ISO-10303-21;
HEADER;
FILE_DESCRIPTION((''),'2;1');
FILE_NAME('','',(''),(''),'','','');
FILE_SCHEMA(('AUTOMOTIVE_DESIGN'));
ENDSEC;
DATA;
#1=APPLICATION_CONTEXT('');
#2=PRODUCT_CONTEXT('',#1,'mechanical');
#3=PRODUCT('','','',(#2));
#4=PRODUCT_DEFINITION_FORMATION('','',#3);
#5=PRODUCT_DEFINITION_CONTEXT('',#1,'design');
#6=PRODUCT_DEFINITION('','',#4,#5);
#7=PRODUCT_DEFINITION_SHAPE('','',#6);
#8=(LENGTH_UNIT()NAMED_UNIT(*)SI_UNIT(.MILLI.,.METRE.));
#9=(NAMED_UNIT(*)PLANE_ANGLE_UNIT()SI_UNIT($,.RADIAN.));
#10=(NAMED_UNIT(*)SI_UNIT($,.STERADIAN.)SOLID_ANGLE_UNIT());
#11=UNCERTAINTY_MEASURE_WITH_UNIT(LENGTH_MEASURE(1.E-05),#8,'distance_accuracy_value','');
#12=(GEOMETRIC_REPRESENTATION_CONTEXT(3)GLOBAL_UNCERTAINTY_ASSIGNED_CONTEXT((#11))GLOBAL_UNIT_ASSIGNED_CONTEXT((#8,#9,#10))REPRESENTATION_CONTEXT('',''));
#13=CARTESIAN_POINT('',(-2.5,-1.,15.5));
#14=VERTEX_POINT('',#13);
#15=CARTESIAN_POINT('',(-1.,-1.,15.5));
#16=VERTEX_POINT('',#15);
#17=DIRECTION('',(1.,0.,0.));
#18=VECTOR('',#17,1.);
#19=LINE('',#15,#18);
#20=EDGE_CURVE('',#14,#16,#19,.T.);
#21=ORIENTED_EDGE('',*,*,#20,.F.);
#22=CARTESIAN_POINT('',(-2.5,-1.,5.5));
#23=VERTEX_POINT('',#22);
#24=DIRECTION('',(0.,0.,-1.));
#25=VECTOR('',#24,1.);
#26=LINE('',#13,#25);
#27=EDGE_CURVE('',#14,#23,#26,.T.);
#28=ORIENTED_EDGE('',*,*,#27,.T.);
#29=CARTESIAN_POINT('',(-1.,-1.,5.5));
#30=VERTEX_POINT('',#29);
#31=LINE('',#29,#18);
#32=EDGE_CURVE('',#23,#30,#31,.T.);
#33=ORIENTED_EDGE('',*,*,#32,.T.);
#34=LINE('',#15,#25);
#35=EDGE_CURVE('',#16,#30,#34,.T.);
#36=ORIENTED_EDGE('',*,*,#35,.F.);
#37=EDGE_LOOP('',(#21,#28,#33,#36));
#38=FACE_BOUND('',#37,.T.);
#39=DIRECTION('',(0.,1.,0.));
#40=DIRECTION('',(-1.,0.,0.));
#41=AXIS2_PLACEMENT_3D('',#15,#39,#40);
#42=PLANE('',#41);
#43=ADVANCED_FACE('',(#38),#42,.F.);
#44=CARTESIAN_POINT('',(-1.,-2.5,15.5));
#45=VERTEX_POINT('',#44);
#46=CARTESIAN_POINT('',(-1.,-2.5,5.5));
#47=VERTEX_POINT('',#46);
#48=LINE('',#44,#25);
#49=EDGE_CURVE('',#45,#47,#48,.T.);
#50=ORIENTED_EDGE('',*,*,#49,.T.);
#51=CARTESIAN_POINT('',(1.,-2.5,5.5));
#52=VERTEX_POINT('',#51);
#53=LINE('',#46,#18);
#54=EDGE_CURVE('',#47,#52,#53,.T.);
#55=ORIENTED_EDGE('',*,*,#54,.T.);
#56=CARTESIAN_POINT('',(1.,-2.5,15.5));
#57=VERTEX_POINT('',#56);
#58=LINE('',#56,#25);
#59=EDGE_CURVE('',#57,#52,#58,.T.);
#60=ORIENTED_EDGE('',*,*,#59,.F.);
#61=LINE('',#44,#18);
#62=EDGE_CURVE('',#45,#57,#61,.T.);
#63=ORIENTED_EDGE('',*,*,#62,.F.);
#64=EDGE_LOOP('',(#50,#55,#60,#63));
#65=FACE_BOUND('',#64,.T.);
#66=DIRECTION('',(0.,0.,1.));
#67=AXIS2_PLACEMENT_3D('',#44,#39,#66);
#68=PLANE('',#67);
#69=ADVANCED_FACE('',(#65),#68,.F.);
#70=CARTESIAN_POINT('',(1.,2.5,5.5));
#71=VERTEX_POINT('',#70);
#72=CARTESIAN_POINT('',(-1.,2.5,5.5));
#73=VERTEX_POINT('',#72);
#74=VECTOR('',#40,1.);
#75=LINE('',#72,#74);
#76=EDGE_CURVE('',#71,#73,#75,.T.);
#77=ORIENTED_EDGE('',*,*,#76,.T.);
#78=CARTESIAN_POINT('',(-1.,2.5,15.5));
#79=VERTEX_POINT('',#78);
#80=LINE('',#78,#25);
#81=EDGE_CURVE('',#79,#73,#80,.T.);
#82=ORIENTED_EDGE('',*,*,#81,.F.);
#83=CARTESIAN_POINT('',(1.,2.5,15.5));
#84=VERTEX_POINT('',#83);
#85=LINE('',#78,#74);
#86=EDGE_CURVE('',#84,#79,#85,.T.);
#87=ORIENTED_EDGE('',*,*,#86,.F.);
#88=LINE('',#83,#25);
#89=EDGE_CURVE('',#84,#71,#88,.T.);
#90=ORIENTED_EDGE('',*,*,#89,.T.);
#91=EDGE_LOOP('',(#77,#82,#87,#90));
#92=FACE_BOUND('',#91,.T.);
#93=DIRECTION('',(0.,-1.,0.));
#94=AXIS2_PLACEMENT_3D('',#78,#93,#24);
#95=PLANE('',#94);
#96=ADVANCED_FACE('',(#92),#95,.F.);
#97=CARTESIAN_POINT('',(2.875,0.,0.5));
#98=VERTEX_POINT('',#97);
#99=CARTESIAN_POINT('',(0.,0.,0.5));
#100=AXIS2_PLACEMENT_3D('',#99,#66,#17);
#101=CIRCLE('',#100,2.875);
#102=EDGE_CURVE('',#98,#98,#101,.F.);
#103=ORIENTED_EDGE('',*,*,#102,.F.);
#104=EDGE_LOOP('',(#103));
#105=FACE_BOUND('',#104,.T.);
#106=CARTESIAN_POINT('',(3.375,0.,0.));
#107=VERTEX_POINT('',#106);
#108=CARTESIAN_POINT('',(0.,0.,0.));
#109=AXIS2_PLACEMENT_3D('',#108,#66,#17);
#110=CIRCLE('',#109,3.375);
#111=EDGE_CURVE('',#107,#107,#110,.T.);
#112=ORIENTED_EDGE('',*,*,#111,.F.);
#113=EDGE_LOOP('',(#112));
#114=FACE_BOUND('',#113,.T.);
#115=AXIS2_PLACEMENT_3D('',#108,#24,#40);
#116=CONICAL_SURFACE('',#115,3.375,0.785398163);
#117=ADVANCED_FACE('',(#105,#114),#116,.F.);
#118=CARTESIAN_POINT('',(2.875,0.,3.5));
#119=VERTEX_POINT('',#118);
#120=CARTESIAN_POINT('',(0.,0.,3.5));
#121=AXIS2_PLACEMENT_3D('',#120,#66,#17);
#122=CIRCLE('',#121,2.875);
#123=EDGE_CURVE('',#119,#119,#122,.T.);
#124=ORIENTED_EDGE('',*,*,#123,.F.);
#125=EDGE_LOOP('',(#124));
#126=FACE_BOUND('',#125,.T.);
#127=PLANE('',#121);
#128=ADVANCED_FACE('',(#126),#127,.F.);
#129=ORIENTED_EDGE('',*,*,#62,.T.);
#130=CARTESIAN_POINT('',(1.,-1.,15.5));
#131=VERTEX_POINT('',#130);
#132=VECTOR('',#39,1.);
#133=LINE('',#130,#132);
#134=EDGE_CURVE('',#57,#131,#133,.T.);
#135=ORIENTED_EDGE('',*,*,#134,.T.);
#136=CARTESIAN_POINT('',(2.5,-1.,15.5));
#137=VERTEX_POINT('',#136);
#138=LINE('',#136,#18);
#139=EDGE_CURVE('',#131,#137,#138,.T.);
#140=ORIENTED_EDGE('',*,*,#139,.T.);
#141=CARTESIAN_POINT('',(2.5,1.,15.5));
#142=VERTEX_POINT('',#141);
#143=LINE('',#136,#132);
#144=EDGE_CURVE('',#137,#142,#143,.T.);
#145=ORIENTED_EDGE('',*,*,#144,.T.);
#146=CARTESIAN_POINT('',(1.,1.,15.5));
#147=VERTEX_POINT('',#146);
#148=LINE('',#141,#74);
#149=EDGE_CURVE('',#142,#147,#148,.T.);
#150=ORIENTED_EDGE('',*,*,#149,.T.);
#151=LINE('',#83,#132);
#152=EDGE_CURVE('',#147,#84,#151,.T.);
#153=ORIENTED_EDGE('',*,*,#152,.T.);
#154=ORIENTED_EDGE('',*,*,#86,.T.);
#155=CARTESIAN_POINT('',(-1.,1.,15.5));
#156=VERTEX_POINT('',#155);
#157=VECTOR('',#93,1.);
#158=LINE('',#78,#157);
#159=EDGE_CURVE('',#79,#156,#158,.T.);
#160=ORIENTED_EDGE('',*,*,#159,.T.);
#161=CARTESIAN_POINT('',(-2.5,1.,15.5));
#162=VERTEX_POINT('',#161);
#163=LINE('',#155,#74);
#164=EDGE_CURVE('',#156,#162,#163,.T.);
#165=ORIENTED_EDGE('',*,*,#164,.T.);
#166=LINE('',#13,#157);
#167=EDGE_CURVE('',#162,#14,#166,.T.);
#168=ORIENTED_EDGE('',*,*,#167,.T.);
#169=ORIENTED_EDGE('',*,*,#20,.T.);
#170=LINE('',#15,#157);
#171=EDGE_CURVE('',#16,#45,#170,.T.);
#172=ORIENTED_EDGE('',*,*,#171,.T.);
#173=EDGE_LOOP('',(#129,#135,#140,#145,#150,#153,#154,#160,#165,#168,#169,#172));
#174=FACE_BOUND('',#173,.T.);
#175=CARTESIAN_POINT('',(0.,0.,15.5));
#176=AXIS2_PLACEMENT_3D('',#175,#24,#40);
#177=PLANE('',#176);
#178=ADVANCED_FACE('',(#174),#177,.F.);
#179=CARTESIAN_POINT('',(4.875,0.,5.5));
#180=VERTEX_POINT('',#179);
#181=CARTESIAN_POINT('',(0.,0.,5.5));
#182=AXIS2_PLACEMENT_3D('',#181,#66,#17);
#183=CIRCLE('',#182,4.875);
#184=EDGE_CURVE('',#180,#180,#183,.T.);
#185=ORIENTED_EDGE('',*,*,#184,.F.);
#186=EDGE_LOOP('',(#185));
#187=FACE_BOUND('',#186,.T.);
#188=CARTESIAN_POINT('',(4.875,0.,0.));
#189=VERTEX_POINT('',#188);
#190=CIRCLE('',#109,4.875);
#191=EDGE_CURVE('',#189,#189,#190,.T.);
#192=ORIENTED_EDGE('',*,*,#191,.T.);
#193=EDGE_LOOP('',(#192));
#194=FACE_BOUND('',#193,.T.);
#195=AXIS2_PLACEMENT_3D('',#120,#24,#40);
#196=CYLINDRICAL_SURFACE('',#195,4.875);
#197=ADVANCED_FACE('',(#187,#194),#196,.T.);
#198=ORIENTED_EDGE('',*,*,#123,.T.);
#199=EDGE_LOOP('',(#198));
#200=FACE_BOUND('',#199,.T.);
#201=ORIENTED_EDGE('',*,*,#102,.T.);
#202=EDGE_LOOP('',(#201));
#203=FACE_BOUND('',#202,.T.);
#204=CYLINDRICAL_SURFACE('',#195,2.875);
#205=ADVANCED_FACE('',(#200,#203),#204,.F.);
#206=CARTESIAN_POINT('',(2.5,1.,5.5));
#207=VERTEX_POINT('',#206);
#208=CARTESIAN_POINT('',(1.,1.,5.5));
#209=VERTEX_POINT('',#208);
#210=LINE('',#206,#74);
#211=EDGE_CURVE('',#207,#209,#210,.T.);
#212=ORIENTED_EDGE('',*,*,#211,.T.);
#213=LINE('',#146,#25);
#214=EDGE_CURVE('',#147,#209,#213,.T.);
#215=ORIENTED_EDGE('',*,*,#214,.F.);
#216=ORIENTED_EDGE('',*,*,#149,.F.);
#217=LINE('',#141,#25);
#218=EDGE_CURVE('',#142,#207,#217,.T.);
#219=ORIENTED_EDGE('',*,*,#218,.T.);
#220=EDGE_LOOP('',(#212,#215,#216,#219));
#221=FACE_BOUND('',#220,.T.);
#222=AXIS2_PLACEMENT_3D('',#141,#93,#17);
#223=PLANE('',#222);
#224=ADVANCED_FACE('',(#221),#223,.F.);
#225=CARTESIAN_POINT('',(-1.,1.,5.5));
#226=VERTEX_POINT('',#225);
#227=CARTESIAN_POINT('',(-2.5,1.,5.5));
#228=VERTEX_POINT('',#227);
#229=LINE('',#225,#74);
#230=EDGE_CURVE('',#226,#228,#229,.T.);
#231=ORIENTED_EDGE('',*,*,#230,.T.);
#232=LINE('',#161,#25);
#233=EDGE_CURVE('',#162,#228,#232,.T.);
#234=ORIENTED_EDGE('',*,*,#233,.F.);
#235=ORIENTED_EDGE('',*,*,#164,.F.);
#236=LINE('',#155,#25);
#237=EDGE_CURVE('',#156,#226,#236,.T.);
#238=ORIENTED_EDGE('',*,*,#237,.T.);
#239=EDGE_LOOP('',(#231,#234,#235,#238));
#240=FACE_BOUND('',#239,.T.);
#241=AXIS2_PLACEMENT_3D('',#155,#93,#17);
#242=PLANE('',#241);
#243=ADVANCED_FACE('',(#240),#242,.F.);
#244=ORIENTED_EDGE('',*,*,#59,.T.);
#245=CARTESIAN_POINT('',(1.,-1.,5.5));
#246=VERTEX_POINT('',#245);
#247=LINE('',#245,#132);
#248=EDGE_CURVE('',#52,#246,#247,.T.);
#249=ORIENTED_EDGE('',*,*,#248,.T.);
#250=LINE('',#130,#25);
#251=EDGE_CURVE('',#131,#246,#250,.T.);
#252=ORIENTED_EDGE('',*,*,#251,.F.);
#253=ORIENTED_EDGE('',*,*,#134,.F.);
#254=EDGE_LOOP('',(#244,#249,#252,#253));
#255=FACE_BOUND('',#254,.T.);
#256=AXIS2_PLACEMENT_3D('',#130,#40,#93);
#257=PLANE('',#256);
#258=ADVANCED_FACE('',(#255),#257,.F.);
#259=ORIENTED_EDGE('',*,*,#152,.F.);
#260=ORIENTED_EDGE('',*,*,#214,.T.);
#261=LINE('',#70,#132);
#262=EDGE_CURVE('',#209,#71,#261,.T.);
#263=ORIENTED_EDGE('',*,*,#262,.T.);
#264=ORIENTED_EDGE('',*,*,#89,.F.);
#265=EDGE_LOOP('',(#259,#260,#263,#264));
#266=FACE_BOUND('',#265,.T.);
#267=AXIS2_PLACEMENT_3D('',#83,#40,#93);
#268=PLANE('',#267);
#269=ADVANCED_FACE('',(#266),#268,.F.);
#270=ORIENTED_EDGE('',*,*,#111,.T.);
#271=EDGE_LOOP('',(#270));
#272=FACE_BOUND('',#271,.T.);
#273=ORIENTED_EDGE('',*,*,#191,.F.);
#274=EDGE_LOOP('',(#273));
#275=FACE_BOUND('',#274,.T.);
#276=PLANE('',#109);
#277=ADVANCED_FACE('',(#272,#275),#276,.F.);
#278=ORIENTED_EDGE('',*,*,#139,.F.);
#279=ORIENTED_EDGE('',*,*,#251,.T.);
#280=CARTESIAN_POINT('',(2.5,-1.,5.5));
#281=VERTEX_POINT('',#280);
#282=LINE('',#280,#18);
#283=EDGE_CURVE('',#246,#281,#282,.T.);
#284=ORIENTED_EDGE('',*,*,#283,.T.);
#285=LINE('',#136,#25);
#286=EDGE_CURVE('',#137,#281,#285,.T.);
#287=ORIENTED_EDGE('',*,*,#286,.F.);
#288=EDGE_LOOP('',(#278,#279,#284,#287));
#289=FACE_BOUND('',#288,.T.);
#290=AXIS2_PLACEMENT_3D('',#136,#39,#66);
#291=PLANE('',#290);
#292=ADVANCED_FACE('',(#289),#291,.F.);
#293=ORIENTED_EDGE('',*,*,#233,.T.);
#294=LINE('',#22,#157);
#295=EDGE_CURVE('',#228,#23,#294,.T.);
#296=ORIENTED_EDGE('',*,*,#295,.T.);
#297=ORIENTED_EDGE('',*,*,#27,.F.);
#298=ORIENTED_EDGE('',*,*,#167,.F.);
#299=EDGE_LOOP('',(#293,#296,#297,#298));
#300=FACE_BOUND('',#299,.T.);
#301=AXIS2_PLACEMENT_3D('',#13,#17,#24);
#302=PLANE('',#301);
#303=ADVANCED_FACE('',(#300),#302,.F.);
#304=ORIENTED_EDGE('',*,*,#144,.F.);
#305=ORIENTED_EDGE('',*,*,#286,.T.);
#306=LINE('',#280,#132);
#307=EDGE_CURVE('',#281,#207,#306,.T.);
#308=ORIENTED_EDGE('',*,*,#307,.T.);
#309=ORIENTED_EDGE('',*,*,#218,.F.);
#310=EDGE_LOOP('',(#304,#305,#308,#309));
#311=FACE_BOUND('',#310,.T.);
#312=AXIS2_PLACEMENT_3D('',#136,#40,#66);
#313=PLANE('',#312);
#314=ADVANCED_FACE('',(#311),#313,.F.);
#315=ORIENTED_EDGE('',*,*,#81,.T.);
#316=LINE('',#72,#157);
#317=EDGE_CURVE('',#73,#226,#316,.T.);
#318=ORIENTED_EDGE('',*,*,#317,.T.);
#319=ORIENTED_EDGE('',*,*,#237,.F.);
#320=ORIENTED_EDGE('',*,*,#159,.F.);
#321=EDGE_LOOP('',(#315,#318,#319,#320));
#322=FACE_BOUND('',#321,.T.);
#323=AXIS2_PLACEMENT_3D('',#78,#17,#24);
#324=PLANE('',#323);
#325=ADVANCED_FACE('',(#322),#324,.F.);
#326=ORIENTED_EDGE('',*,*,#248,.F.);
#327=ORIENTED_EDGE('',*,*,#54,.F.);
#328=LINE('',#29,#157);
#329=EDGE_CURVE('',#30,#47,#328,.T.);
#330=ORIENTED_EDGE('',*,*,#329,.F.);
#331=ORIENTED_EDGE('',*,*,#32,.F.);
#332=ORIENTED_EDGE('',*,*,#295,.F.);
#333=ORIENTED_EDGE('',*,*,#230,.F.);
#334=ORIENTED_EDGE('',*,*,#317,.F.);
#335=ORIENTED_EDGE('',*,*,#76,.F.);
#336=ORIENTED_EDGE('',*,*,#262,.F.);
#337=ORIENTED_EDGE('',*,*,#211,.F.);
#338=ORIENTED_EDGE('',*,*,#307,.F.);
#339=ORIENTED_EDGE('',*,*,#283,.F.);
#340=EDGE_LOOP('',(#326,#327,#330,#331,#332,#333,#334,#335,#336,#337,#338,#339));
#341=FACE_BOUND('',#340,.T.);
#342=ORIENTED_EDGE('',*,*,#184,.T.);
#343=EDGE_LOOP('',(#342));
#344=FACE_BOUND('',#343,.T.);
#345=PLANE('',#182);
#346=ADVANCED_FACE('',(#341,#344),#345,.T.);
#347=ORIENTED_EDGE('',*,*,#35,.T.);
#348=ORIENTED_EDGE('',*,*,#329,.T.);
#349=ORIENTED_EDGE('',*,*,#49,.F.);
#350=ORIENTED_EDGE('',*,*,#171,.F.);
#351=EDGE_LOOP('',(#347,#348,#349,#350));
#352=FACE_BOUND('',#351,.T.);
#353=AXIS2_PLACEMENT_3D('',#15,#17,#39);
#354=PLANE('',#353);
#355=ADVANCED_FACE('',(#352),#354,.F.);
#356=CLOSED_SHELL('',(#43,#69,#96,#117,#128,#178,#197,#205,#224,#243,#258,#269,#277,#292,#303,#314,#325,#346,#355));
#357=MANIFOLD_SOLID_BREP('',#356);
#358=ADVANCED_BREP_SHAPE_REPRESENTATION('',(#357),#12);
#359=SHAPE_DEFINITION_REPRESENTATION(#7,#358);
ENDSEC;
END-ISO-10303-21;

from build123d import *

# Parameters (mm, degrees)
SKETCH1_R           = 4.875
SKETCH1_R_2         = 2.875
BOSS_EXTRUDE1_DEPTH = 3.5
SKETCH2_R           = 4.875
BOSS_EXTRUDE2_DEPTH = 2
CHAMFER1_SIZE       = 0.5
BOSS_EXTRUDE3_DEPTH = 10


with BuildPart() as part:
    # Sketch1 → Boss-Extrude1 (new body)
    with BuildSketch(Plane.XY):
        Circle(SKETCH1_R)
        Circle(SKETCH1_R_2, mode=Mode.SUBTRACT)
    extrude(amount=BOSS_EXTRUDE1_DEPTH)

    # Sketch2 → Boss-Extrude2 (add)
    with BuildSketch(Plane.XY.offset(3.5)):
        Circle(SKETCH2_R)
    extrude(amount=BOSS_EXTRUDE2_DEPTH)

    # Chamfer1
    chamfer1_edges = [part.edges().sort_by_distance(p)[0] for p in [
        (-2.875, 0, 0),
    ]]
    chamfer(chamfer1_edges, length=CHAMFER1_SIZE)

    # Sketch3 → Boss-Extrude3 (add)
    with BuildSketch(Plane.XY.offset(5.5)):
        Polygon((-1, 2.5), (1, 2.5), (1, 1), (2.5, 1), (2.5, -1), (1, -1), (1, -2.5), (-1, -2.5), (-1, -1), (-2.5, -1), (-2.5, 1), (-1, 1), align=None)
    extrude(amount=BOSS_EXTRUDE3_DEPTH)


solid = part.part
